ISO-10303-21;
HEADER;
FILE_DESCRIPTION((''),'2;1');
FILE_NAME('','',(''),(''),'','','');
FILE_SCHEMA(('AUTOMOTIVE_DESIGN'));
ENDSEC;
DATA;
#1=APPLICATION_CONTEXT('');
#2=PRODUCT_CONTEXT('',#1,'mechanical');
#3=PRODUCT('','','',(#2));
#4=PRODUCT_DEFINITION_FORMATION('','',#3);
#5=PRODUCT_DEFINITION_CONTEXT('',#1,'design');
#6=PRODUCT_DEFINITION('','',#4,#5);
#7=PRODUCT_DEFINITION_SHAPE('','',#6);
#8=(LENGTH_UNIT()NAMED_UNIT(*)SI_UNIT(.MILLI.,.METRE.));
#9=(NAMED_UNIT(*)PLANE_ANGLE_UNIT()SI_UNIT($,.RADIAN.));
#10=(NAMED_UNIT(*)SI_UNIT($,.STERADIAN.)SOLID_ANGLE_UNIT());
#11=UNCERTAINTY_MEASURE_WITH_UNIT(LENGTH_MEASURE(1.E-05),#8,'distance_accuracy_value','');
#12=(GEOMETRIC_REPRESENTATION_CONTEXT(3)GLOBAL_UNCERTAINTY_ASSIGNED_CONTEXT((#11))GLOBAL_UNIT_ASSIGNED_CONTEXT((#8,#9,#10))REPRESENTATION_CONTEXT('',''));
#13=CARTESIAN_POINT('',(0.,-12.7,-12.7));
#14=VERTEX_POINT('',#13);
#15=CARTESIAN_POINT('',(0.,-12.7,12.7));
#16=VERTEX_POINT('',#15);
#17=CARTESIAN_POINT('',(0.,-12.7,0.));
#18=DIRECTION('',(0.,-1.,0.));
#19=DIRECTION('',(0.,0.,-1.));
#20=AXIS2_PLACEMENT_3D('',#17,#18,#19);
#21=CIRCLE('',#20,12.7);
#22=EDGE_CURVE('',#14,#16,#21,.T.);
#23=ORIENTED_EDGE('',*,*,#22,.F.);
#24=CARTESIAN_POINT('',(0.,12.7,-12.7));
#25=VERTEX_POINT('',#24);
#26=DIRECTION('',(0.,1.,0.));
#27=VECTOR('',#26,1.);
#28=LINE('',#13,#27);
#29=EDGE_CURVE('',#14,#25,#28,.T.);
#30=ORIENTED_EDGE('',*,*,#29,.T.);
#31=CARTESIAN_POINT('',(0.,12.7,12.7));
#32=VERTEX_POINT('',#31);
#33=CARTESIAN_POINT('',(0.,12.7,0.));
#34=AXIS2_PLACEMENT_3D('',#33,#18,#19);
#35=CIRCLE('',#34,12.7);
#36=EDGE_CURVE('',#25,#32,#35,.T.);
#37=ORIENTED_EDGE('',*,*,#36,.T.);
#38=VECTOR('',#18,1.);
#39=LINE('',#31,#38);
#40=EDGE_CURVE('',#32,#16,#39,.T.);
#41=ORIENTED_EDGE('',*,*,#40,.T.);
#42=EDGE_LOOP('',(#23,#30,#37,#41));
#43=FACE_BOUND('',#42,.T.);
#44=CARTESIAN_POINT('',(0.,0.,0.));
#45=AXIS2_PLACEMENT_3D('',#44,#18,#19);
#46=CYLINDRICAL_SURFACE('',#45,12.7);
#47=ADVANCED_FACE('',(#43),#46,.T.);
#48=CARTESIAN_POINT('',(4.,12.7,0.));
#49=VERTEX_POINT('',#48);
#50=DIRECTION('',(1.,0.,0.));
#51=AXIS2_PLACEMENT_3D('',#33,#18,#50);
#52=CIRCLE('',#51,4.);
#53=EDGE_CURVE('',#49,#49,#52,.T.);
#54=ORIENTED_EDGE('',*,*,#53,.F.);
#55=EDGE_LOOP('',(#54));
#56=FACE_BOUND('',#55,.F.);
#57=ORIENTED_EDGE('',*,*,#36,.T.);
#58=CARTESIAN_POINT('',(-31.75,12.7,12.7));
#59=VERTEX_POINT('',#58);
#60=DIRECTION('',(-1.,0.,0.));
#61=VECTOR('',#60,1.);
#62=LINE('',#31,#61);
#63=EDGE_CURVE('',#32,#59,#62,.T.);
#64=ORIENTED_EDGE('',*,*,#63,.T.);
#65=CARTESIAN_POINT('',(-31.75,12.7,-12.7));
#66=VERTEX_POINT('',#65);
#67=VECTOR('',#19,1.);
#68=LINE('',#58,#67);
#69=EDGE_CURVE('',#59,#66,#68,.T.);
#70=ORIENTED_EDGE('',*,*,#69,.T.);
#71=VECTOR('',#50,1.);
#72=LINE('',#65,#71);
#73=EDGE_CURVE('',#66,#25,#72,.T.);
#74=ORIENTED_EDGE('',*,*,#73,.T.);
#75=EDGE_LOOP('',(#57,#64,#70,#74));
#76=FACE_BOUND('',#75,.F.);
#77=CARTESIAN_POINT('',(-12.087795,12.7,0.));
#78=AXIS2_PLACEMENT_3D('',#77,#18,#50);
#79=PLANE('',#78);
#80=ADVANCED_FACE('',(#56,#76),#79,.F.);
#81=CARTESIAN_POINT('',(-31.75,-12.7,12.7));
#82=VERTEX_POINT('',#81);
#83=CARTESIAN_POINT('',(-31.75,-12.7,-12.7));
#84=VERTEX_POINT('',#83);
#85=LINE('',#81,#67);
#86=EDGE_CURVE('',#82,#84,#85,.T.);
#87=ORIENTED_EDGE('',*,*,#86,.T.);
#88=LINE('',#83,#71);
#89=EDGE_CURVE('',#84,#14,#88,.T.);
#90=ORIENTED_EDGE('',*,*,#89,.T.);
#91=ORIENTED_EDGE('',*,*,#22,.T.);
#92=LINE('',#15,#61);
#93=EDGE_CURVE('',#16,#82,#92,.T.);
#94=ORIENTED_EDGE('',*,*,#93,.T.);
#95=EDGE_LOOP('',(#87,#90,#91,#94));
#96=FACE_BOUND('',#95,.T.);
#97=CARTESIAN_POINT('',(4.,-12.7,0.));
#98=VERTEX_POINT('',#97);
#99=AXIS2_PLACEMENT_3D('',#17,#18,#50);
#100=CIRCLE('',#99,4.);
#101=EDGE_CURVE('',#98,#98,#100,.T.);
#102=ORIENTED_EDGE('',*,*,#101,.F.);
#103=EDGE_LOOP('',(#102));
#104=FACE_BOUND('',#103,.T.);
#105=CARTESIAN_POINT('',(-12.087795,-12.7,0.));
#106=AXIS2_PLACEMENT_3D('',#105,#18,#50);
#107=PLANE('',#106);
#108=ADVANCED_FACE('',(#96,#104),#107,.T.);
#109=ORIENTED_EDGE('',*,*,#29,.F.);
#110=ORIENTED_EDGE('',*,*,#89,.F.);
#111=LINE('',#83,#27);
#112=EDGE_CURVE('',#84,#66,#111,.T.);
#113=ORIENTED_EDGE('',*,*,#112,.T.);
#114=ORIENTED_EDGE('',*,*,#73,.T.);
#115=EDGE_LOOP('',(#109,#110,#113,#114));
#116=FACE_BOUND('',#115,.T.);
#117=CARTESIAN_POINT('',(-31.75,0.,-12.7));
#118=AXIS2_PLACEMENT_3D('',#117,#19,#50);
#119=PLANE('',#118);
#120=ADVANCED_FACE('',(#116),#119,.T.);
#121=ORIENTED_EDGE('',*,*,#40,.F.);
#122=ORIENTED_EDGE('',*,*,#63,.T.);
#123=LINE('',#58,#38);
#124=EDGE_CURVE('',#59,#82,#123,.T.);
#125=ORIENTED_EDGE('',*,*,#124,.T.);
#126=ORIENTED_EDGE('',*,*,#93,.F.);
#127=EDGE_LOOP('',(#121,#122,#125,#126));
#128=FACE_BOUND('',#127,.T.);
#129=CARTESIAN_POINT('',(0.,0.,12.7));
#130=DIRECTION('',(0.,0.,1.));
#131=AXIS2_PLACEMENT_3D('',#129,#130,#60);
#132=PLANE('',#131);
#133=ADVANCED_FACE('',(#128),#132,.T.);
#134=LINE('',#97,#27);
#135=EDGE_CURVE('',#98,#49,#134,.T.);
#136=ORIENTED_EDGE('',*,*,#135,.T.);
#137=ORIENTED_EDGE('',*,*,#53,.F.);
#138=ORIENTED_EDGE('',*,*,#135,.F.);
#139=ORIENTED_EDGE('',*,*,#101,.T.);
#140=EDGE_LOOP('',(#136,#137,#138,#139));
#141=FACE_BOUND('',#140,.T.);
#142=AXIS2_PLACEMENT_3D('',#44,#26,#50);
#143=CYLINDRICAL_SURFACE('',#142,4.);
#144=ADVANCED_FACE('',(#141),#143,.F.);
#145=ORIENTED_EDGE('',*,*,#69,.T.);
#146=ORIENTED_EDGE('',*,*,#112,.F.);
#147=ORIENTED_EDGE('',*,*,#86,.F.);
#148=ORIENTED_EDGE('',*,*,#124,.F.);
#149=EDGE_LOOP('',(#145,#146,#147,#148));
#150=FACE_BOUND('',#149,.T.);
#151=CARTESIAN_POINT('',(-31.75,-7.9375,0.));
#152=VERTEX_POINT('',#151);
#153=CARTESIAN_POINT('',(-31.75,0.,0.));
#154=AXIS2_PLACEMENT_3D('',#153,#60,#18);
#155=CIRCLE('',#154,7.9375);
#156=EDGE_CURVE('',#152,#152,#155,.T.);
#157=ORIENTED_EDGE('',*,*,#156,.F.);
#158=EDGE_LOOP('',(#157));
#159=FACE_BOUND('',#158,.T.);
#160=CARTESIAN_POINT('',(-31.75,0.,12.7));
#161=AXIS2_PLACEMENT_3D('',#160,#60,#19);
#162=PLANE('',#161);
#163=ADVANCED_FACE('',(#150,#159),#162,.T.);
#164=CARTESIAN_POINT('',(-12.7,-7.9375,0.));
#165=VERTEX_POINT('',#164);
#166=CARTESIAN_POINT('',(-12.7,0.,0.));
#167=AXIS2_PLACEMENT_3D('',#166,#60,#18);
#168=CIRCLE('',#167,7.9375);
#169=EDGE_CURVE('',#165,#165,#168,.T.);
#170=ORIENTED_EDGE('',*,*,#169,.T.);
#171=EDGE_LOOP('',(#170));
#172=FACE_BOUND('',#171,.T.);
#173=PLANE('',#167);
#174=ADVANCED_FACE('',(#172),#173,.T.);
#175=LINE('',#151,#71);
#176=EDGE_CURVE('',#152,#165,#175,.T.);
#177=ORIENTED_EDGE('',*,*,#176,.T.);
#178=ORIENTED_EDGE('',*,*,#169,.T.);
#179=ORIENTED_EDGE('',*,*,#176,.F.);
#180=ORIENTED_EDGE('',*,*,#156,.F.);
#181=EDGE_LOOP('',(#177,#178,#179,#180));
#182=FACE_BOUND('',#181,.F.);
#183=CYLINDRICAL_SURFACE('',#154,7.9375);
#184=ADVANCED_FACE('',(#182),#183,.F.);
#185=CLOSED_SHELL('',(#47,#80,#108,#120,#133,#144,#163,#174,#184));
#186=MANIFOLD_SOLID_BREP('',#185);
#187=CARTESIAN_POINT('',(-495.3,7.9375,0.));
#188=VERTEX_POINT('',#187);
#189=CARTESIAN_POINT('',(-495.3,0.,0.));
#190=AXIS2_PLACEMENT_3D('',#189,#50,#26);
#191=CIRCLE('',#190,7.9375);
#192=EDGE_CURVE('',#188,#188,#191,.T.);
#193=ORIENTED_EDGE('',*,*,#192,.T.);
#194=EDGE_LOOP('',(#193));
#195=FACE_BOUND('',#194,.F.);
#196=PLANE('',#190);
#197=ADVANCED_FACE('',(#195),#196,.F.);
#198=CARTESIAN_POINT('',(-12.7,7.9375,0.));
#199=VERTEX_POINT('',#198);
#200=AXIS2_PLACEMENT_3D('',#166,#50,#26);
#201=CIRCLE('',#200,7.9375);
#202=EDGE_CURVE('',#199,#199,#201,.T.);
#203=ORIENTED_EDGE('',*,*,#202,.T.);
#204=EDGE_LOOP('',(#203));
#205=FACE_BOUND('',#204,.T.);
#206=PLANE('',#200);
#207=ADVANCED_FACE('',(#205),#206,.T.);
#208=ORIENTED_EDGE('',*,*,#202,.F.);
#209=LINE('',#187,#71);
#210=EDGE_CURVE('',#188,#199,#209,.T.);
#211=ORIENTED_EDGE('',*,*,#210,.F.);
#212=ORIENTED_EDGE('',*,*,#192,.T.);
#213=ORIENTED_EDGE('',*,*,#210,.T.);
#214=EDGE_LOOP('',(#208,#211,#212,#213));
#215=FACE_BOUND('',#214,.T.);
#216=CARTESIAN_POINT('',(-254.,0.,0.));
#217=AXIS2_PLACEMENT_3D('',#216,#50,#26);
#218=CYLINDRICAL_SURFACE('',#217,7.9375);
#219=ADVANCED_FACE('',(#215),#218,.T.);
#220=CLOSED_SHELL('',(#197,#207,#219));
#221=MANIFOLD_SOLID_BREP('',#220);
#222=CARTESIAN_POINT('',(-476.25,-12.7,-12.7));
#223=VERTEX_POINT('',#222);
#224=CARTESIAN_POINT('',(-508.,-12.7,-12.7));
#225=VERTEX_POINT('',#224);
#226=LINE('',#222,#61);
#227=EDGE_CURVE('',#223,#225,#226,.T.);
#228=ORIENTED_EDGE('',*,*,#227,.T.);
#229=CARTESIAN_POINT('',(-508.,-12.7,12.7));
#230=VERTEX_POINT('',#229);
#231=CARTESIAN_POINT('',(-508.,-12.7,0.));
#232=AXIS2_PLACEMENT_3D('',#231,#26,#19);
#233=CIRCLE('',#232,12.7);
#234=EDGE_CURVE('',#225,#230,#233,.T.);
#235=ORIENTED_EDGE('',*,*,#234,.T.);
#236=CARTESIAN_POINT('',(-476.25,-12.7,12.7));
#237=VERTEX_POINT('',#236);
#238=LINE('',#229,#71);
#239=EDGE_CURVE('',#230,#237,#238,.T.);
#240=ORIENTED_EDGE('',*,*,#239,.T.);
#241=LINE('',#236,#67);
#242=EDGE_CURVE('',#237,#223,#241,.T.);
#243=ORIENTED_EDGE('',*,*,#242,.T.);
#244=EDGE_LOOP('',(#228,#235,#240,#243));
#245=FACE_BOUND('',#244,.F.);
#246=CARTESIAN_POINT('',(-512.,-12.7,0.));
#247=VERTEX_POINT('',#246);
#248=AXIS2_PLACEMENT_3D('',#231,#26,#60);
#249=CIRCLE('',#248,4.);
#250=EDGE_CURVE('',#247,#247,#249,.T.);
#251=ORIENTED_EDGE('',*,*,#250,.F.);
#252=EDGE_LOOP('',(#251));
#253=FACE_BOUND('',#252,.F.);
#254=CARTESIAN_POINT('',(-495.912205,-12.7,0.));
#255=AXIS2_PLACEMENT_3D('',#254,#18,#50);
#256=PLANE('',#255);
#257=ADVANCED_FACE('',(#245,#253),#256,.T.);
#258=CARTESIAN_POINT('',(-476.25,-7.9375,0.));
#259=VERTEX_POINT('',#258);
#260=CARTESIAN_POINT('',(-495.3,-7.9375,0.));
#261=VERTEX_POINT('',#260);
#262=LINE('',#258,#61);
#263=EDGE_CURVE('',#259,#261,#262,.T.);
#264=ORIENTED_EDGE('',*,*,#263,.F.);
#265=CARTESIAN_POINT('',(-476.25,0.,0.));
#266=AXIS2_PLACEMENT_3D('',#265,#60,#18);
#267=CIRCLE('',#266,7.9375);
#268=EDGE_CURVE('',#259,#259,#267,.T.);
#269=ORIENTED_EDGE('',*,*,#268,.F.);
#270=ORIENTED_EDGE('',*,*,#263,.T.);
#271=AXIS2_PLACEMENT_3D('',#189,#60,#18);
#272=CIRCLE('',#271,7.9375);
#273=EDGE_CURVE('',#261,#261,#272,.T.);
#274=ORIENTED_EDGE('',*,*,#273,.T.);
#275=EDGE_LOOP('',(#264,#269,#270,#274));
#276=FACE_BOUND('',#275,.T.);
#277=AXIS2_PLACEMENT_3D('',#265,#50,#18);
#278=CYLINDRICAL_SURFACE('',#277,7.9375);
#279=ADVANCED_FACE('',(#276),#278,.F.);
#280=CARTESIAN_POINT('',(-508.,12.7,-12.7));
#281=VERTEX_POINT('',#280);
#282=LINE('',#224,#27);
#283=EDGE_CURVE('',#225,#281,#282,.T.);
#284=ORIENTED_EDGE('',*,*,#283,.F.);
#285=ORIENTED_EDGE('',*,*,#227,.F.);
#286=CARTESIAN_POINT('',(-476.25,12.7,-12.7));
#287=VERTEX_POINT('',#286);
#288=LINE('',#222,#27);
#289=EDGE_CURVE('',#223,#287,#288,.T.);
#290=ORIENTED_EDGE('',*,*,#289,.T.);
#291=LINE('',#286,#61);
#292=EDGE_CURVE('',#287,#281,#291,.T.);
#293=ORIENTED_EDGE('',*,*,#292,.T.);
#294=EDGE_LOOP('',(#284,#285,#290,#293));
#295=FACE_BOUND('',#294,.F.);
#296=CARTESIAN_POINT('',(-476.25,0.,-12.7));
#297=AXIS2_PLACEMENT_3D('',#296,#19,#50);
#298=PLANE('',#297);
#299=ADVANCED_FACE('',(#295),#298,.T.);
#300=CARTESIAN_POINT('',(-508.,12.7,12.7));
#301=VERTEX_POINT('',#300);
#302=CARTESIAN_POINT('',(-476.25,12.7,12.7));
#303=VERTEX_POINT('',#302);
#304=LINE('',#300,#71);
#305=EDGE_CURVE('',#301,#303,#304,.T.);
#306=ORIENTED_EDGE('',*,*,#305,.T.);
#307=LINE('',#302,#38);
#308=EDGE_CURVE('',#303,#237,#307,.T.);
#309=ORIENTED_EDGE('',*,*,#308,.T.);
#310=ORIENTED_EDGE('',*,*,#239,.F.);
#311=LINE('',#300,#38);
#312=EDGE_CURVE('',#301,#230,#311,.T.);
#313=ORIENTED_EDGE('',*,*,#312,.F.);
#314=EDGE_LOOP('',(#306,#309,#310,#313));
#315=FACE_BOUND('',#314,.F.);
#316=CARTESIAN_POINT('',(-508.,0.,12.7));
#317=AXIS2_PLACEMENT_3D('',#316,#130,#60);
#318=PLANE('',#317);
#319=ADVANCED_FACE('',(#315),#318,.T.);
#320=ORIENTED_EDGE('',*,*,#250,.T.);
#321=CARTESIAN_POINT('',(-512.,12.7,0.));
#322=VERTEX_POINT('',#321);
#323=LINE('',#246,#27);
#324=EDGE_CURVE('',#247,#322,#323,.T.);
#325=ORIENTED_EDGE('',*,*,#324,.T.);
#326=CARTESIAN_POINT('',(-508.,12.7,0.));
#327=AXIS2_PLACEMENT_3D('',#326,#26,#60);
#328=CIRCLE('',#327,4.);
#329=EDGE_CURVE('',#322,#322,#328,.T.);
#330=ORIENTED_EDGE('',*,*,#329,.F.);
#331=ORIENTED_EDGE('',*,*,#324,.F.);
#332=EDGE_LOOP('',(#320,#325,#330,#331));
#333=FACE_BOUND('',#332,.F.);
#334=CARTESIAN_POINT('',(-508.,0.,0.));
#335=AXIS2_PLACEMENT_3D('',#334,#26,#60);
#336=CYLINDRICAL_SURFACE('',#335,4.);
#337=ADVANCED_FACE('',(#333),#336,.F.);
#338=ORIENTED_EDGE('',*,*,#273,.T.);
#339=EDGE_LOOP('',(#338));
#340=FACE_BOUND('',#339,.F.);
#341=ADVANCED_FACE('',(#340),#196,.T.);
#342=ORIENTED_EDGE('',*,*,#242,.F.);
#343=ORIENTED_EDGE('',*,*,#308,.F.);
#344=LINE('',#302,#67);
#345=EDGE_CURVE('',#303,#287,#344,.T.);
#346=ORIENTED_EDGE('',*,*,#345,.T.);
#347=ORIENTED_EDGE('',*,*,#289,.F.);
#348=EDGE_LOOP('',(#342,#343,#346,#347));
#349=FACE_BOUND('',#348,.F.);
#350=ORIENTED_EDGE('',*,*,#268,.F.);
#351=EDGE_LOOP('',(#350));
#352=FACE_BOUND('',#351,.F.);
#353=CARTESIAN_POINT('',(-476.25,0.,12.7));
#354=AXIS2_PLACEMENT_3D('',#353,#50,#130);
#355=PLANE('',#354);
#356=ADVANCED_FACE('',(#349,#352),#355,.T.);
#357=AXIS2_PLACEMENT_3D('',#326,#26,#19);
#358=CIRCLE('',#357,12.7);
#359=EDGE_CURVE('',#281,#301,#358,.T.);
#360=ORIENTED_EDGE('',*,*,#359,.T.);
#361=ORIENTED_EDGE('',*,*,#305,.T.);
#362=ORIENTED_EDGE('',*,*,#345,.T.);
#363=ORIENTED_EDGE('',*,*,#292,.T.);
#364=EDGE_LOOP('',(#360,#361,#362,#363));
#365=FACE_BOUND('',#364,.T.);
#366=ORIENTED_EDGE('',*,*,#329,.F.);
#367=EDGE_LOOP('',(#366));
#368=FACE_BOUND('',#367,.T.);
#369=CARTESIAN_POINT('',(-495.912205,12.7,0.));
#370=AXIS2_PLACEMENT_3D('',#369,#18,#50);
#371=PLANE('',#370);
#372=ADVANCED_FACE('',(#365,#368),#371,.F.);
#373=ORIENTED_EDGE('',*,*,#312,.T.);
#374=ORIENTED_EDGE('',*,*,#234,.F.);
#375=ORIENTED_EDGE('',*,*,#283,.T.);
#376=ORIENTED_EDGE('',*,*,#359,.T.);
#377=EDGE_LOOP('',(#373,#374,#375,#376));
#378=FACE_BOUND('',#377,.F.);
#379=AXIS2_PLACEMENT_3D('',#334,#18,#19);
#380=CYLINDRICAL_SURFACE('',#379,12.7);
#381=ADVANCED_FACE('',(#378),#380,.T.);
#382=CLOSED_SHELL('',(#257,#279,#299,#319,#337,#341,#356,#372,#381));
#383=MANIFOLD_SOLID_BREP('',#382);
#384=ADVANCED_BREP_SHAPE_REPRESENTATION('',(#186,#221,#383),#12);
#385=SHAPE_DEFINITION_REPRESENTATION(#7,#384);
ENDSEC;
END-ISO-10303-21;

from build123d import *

# Parameters (mm, degrees)
F0_R          = 4
F1_DEPTH      = 12.7
F2_R          = 7.9375
F3_DEPTH      = 19.05
F6_R          = 7.9375
F7_DEPTH      = 241.3
F7_DEPTH_BACK = 241.3


with BuildPart() as f1:
    # F0 (on Front) → F1 (new body, symmetric)
    with BuildSketch(Plane.XZ):
        with BuildLine():
            ThreePointArc((0, -12.7), (12.7, 0), (0, 12.7))
            Line((0, 12.7), (-31.75, 12.7))
            Line((-31.75, 12.7), (-31.75, -12.7))
            Line((-31.75, -12.7), (0, -12.7))
        make_face()
        Circle(F0_R, mode=Mode.SUBTRACT)
    extrude(amount=F1_DEPTH, both=True)

    # F2 (on face) → F3 (cut)
    with BuildSketch(Plane(origin=(-31.75, 0, 0), x_dir=(0, -1, 0), z_dir=(-1, 0, 0))):
        Circle(F2_R)
    extrude(amount=-F3_DEPTH, mode=Mode.SUBTRACT)


with BuildPart() as f5_1:
    # F5: instance of F1
    add(f1.part.mirror(Plane.YZ.offset(-254)))


with BuildPart() as f7:
    # F6 (on offset) → F7 (new body, two sides)
    with BuildSketch(Plane.YZ.offset(-254)) as f7_sk:
        Circle(F6_R)
    extrude(amount=F7_DEPTH)
    extrude(f7_sk.sketch, amount=-F7_DEPTH_BACK)


solid = Compound([f1.part, f5_1.part, f7.part])
